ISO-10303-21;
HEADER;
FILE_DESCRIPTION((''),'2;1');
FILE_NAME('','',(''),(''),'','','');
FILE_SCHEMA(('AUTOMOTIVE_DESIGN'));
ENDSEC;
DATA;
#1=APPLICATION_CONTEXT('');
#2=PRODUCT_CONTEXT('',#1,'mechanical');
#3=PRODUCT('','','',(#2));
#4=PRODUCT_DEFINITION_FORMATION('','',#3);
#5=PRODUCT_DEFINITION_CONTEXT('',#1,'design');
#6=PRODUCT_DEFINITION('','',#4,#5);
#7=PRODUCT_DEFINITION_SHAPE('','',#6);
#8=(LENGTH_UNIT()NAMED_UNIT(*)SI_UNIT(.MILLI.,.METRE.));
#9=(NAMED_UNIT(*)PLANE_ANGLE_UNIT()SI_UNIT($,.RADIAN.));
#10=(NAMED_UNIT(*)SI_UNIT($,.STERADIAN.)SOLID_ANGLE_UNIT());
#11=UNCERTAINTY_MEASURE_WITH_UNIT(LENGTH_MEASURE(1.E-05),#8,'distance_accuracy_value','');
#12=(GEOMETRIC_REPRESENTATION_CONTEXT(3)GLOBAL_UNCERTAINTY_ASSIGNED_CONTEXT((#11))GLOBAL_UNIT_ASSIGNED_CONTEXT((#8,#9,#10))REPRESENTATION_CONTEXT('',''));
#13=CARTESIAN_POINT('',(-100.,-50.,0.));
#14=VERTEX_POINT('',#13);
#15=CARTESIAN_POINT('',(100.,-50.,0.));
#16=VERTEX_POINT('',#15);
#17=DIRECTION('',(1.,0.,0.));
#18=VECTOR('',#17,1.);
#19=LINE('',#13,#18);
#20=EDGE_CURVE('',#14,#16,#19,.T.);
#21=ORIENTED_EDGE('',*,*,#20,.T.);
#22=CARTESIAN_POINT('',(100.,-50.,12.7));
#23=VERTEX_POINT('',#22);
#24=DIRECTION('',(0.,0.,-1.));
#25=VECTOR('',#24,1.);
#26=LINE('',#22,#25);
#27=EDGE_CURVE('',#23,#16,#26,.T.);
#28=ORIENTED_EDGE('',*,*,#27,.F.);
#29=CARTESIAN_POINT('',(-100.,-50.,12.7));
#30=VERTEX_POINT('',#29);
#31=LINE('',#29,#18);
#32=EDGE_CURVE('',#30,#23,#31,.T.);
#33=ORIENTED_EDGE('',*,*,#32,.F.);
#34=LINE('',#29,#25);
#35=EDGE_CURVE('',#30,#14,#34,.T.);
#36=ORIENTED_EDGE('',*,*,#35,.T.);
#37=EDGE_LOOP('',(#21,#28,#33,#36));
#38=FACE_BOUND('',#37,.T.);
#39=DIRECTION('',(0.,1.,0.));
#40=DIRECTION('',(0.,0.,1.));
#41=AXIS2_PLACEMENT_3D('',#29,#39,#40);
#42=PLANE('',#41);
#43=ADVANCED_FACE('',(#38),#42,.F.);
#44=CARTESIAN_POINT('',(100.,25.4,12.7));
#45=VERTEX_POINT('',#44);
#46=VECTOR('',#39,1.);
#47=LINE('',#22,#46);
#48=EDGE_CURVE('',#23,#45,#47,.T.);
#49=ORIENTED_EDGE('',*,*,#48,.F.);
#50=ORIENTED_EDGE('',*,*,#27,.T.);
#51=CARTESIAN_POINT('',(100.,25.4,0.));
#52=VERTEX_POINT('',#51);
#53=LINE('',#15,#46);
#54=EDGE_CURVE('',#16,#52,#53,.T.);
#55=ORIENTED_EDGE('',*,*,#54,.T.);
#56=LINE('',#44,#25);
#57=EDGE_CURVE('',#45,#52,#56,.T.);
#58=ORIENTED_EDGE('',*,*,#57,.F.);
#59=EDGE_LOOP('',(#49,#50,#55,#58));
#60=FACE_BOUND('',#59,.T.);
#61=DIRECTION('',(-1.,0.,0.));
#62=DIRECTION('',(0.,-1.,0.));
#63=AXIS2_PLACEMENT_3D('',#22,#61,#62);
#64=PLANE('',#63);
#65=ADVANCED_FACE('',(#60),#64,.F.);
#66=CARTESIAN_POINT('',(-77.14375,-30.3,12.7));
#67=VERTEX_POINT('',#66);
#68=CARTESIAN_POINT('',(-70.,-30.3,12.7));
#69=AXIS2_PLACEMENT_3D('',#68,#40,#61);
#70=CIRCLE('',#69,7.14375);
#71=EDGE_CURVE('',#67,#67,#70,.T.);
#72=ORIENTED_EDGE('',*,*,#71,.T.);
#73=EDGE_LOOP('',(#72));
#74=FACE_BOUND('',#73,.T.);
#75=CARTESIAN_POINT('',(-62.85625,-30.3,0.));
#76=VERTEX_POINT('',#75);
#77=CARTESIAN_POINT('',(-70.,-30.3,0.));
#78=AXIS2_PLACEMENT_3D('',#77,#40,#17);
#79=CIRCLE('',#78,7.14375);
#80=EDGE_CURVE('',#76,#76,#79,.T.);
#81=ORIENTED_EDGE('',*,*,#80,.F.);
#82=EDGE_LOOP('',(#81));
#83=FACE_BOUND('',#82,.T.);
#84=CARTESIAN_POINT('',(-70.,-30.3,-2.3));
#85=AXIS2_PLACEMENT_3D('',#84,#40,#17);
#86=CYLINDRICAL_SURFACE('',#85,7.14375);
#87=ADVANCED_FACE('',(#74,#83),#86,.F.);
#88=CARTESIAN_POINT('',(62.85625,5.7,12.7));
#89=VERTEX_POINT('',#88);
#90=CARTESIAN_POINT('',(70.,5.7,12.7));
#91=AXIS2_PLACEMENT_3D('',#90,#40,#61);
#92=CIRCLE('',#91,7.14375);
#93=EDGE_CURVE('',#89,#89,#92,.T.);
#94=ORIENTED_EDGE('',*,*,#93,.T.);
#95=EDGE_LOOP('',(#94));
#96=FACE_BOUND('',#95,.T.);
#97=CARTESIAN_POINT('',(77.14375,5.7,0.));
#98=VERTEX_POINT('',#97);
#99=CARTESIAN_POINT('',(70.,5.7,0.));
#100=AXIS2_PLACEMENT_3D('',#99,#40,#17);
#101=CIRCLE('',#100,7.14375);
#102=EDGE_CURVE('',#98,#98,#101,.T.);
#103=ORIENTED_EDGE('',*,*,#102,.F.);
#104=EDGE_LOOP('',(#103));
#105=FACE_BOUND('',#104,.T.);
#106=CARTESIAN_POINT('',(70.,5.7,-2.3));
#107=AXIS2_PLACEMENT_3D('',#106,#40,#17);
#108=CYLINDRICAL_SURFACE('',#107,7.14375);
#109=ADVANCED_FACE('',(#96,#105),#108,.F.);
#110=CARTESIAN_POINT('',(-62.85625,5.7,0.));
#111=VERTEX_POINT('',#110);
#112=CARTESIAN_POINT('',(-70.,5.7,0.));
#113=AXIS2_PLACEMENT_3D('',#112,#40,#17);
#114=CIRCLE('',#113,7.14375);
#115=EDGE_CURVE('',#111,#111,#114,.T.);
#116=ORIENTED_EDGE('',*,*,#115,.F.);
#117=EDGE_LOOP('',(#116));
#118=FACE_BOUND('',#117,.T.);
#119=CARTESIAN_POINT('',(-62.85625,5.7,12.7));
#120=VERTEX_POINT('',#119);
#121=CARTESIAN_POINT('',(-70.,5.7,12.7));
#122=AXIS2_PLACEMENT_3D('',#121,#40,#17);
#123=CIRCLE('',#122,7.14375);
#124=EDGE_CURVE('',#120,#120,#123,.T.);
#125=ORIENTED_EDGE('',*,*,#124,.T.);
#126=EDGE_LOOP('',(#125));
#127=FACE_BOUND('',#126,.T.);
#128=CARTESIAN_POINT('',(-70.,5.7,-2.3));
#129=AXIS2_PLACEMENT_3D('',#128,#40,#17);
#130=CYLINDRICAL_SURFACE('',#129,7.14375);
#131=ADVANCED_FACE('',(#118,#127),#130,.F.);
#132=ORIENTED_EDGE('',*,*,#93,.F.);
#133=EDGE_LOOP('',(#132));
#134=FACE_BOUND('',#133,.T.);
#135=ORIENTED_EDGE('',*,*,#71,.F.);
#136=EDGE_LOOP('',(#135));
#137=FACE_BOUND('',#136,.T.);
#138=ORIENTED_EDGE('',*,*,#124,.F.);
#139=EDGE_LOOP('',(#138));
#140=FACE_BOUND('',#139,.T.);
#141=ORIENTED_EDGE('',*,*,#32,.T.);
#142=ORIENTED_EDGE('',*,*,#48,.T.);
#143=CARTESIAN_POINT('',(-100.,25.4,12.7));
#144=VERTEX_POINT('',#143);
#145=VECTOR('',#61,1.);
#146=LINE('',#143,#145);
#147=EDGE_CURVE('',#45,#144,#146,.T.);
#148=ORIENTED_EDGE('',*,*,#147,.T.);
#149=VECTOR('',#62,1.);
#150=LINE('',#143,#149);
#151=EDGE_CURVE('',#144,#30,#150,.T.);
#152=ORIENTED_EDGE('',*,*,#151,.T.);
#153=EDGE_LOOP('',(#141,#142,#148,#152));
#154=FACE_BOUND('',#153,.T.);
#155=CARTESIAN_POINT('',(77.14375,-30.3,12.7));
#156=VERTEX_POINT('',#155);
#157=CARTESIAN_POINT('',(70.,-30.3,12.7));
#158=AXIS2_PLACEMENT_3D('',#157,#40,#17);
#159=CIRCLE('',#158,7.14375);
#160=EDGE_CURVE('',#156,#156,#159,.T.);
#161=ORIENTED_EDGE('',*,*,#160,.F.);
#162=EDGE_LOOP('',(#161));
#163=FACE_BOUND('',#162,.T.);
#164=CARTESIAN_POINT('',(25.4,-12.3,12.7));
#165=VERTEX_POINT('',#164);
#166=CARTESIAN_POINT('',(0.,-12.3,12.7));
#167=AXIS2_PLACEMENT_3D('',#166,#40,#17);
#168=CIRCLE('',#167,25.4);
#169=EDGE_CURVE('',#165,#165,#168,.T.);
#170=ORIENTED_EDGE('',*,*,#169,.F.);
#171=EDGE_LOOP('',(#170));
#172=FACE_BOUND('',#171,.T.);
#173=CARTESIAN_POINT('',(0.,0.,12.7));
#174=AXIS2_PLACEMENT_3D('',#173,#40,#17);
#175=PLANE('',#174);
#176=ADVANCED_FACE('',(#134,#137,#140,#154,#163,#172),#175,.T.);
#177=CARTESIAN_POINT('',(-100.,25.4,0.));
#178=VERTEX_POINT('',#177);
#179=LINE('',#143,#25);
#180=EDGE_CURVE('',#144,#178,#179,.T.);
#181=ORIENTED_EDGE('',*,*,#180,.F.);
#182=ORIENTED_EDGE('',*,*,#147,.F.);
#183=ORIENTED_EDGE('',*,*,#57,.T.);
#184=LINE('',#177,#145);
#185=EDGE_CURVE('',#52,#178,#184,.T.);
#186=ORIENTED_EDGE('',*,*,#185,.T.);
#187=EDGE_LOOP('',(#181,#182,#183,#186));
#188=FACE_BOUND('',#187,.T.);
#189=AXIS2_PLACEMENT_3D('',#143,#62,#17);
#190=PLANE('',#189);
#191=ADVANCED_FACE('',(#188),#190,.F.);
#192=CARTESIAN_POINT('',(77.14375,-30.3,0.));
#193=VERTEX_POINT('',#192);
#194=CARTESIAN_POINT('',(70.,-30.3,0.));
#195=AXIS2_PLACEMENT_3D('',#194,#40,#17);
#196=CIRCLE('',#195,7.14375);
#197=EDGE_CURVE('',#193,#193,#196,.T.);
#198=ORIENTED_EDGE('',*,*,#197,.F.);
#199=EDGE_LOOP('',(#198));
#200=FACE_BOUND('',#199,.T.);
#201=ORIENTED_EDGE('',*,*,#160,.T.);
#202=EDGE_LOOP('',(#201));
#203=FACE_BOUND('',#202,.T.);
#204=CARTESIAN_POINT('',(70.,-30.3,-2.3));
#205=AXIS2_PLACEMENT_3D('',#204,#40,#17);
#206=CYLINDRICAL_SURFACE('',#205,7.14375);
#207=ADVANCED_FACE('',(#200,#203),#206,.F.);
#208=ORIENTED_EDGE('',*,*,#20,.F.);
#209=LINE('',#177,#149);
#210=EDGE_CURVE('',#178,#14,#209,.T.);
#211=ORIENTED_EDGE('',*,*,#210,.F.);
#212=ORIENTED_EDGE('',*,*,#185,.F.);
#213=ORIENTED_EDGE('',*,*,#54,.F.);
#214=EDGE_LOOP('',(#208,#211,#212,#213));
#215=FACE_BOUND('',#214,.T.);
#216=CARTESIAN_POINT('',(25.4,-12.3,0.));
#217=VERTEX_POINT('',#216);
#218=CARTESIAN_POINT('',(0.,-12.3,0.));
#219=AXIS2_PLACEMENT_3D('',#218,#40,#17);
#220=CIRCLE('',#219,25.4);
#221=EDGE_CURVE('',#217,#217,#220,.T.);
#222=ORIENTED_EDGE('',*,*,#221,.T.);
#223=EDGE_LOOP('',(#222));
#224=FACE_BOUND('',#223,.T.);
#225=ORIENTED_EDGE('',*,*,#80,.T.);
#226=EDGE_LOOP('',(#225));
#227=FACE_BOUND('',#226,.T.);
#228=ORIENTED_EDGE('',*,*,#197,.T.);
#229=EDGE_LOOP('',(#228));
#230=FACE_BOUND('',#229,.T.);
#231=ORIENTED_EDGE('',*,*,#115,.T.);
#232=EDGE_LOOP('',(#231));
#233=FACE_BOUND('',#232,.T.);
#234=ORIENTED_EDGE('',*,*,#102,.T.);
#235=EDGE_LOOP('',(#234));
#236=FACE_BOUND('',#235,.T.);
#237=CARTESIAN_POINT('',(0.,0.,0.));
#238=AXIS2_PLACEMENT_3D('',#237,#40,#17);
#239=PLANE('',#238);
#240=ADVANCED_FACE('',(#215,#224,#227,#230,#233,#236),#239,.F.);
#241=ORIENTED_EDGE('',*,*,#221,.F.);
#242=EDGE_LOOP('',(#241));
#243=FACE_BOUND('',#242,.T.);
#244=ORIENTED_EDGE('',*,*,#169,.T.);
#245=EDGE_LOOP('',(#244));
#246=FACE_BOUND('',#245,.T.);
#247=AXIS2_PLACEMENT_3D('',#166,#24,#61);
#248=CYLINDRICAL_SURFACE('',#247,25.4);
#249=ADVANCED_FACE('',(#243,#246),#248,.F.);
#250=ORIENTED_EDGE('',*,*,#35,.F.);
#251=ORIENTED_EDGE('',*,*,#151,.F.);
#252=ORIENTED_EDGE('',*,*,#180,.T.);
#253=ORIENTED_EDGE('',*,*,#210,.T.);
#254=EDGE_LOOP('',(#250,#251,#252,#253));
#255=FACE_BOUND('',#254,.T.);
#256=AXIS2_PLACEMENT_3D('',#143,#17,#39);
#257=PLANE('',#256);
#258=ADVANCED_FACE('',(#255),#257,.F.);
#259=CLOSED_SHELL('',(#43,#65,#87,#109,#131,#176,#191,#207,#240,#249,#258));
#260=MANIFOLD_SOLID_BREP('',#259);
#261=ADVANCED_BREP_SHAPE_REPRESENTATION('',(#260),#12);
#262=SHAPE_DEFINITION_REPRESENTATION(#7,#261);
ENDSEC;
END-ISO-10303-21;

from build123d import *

# Parameters (mm, degrees)
CROQUIS1_W              = 200
CROQUIS1_H              = 75.4
CROQUIS1_R              = 25.4
SALIENTE_EXTRUIR1_DEPTH = 12.7
CROQUIS2_R              = 7.14375
CORTAR_EXTRUIR1_DEPTH   = 15


with BuildPart() as part:
    # Croquis1 → Saliente-Extruir1 (new body)
    with BuildSketch(Plane.XY):
        with Locations((0, -12.3)):
            Rectangle(CROQUIS1_W, CROQUIS1_H)
        with Locations((0, -12.3)):
            Circle(CROQUIS1_R, mode=Mode.SUBTRACT)
    extrude(amount=SALIENTE_EXTRUIR1_DEPTH)

    # Croquis2 → Cortar-Extruir1 (cut)
    with BuildSketch(Plane.XY.offset(12.7)):
        with Locations((-70, 5.7)):
            Circle(CROQUIS2_R)
        with Locations((-70, -30.3)):
            Circle(CROQUIS2_R)
        with Locations((70, -30.3)):
            Circle(CROQUIS2_R)
        with Locations((70, 5.7)):
            Circle(CROQUIS2_R)
    extrude(amount=-CORTAR_EXTRUIR1_DEPTH, mode=Mode.SUBTRACT)


solid = part.part
